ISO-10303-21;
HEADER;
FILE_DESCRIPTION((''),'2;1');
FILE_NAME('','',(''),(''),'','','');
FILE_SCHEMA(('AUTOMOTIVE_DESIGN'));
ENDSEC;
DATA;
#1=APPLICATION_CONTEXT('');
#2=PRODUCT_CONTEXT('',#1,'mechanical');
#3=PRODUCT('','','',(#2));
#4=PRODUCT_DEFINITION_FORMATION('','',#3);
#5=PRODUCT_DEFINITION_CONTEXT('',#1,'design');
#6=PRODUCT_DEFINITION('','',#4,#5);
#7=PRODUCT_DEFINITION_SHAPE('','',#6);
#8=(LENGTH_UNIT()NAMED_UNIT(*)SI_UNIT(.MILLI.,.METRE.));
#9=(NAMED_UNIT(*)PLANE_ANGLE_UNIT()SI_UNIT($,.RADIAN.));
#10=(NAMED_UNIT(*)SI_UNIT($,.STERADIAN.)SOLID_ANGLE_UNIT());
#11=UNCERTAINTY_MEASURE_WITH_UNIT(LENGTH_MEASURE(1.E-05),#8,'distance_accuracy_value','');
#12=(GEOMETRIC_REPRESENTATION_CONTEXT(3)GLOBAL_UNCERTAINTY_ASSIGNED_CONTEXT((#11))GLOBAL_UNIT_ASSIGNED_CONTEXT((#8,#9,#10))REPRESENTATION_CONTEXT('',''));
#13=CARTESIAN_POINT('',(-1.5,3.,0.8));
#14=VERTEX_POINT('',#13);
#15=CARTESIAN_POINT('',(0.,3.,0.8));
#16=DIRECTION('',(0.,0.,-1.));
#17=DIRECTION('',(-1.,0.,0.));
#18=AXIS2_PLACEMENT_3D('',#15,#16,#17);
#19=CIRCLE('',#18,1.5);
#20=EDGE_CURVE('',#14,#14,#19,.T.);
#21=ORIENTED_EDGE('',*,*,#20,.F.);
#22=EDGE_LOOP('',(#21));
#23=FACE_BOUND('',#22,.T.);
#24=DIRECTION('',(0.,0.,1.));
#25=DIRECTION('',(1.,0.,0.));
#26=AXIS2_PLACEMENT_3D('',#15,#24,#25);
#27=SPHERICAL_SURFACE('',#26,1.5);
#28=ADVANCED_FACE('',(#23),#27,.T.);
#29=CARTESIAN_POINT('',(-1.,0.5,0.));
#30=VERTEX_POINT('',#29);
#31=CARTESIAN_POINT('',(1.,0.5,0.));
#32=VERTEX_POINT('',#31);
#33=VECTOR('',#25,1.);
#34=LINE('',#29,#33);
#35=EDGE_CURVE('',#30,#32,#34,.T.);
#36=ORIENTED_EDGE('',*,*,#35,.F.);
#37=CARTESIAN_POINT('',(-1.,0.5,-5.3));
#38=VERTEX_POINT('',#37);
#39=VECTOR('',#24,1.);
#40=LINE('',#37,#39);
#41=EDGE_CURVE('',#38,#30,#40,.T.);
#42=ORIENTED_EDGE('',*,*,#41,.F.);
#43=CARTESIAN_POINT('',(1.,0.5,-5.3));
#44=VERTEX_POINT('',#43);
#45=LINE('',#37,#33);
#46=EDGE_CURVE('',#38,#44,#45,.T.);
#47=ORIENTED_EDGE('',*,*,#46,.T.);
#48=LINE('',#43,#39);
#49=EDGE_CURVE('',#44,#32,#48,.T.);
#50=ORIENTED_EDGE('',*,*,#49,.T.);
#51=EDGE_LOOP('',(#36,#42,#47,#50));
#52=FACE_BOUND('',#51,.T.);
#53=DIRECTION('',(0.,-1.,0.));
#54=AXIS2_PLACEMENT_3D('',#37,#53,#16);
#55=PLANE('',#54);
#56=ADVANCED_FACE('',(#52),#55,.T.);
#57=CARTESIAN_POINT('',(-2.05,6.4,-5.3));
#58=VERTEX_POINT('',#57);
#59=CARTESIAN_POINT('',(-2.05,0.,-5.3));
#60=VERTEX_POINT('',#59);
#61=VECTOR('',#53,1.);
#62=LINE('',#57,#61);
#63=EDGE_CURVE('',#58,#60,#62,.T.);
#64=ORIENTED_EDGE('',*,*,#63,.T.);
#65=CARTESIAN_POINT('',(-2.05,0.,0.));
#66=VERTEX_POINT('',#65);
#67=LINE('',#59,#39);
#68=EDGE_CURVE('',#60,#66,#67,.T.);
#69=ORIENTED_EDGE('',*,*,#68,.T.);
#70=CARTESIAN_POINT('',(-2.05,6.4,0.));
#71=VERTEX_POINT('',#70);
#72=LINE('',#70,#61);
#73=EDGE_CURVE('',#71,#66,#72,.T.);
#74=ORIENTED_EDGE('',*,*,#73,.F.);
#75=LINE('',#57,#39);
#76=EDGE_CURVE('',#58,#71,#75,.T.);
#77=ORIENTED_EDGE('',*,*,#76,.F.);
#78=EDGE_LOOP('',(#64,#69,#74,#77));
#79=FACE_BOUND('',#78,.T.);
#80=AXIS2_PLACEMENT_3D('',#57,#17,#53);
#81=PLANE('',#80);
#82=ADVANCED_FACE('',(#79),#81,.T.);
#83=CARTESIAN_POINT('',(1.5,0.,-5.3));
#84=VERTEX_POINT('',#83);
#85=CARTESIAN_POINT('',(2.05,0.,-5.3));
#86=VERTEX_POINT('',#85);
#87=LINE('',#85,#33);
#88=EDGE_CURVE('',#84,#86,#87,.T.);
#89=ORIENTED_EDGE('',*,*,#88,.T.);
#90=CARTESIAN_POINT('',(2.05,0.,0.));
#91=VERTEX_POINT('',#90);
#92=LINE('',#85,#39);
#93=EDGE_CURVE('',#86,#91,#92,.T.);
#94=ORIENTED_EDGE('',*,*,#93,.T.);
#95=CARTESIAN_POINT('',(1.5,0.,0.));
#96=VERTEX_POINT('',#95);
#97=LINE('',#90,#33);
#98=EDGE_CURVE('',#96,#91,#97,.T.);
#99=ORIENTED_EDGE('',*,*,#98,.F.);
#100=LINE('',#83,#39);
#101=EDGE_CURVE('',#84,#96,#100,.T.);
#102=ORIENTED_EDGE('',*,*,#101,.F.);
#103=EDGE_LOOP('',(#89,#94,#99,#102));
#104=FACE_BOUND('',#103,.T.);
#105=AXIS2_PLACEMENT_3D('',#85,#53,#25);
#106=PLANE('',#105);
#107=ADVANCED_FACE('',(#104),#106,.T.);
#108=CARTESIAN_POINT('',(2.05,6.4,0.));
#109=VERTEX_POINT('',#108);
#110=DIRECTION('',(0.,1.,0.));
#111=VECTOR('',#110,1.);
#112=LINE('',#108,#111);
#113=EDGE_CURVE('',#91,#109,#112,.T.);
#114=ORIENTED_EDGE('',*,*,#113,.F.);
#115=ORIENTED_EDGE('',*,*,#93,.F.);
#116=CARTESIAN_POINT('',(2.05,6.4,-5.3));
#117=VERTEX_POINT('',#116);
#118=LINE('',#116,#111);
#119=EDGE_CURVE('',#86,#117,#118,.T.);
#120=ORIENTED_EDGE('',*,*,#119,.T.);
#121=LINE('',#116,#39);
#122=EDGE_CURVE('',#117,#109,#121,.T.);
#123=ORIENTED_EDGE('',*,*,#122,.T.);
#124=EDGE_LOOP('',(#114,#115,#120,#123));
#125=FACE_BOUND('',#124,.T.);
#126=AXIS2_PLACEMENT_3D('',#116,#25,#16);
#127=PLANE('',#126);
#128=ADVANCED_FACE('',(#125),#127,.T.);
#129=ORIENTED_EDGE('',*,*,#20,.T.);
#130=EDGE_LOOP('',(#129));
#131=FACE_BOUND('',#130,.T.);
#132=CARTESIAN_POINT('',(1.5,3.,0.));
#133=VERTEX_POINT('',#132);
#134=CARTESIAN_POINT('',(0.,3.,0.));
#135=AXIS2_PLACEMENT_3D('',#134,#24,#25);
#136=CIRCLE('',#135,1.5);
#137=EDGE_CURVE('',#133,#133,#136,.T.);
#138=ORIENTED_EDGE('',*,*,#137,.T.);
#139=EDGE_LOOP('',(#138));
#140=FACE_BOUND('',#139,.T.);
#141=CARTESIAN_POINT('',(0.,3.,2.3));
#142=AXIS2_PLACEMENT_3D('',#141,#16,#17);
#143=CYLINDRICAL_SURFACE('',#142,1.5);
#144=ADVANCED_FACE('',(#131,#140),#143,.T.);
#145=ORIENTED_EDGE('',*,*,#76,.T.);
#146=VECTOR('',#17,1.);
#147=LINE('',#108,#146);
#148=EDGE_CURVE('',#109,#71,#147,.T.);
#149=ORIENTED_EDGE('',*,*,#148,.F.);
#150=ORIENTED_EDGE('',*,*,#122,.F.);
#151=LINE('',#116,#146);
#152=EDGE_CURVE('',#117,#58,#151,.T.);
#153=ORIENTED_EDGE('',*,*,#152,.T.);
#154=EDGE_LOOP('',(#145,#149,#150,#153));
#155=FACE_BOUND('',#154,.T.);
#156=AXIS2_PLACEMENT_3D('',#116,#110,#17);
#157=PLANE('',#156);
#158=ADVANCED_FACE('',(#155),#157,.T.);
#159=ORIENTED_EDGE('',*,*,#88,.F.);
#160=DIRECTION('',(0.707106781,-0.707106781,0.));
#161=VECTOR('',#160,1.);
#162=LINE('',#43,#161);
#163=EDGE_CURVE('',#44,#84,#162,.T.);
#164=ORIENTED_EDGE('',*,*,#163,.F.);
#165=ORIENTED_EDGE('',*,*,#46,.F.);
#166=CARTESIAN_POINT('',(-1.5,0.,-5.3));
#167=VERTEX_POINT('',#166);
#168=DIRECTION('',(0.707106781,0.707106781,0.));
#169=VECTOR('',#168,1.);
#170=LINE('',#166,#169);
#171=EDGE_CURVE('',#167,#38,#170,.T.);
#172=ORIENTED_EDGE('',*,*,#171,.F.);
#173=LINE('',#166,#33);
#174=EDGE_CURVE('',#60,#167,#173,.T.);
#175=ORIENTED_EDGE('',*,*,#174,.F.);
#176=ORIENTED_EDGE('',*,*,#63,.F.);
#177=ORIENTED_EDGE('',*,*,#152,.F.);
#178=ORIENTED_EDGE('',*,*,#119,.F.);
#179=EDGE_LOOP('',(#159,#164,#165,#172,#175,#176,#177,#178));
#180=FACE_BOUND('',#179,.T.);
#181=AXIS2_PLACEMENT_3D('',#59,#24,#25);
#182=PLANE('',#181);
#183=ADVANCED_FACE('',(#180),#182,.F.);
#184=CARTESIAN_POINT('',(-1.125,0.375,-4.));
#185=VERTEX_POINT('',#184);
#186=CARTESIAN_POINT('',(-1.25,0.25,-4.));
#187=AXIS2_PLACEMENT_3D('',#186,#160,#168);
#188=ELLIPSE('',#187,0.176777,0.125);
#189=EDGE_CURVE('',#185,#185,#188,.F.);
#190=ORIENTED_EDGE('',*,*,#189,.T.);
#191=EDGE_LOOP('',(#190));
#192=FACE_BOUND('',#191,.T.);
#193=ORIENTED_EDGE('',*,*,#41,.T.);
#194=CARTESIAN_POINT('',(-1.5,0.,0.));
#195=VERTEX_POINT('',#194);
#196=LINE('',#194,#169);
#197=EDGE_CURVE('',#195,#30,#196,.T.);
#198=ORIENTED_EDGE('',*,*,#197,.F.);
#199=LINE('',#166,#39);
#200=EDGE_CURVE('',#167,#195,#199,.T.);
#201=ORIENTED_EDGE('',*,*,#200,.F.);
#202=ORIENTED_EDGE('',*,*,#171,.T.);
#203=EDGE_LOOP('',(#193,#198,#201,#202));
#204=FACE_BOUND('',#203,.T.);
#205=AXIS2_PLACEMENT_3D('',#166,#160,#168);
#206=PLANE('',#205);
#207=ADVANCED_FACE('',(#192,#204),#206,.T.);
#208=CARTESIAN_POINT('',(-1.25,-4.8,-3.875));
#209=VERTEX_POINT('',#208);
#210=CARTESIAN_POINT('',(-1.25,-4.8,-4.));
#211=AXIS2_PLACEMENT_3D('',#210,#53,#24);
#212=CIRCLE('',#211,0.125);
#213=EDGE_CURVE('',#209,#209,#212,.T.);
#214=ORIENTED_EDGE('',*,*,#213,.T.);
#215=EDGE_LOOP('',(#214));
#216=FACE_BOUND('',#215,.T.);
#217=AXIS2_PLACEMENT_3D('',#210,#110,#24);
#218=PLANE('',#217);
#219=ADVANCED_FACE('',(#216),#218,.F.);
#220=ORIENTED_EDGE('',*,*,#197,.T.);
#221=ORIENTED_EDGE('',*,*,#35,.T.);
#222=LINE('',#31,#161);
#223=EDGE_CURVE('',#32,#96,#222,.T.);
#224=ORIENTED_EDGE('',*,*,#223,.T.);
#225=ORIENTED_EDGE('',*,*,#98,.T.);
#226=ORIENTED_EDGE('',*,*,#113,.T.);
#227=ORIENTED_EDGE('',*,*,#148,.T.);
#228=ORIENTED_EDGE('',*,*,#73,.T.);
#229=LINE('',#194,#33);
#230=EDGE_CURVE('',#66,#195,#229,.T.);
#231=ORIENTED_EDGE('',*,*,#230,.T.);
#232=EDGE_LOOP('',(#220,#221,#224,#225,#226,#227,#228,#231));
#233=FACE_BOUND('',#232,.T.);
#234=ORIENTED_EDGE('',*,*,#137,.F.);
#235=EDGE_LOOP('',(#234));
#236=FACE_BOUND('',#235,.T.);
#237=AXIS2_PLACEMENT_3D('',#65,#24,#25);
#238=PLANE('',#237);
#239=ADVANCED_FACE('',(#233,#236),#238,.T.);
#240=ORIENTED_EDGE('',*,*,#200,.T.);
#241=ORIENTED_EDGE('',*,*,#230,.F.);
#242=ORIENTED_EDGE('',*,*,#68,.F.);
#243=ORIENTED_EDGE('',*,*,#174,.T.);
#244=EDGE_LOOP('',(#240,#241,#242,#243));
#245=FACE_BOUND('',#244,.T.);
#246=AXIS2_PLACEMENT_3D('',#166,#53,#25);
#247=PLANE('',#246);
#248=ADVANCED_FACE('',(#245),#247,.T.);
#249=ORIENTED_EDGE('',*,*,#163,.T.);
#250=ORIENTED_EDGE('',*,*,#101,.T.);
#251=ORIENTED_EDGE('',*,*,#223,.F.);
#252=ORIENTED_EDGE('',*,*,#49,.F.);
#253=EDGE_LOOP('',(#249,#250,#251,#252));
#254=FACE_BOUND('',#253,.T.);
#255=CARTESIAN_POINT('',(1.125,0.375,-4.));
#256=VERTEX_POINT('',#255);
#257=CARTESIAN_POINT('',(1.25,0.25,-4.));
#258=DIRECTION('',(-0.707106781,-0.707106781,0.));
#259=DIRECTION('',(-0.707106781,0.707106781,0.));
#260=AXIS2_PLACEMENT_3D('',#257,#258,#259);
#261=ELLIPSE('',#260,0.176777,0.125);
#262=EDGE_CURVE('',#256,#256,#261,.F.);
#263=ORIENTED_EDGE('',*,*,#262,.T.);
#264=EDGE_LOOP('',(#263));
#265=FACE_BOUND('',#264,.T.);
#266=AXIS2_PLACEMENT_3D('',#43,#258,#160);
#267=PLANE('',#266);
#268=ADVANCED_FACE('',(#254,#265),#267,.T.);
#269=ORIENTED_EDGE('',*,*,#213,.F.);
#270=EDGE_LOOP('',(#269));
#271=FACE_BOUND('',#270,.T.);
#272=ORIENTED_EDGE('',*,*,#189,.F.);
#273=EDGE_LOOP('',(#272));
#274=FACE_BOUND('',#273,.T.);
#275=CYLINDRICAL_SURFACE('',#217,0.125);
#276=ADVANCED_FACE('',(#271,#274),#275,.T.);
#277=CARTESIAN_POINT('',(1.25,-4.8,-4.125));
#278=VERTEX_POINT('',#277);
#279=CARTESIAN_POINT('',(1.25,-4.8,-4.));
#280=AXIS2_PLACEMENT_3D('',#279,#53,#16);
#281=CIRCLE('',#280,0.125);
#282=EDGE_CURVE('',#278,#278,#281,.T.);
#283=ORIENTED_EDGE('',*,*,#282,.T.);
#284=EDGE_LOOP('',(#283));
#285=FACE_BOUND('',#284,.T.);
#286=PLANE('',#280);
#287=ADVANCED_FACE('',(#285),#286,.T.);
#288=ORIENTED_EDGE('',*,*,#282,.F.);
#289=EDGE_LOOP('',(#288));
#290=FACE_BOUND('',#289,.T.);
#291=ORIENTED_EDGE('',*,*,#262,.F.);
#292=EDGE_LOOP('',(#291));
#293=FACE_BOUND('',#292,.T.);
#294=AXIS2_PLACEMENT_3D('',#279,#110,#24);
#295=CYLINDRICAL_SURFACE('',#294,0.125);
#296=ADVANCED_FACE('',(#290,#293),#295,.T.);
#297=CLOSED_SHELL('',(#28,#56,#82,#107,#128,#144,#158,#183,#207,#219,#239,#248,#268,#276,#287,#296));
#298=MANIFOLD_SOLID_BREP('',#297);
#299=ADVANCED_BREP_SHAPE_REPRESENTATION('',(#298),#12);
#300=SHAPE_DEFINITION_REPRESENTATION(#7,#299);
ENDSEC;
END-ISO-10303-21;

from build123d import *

# Parameters (mm, degrees)
EXTRUDE1_DEPTH = 5.3
SKETCH2_R      = 1.5
EXTRUDE2_DEPTH = 2.3
FILLET1_R      = 1.5
SKETCH3_R      = 0.125
EXTRUDE3_DEPTH = 5.3


with BuildPart() as part:
    # Sketch1 → Extrude1 (new body)
    with BuildSketch(Plane.XY):
        Polygon((-1, 0.5), (1, 0.5), (1.5, 0), (2.05, 0), (2.05, 6.4), (-2.05, 6.4), (-2.05, 0), (-1.5, 0), align=None)
    extrude(amount=-EXTRUDE1_DEPTH)

    # Sketch2 → Extrude2 (add)
    with BuildSketch(Plane.XY):
        with Locations(Location((0, 3, 0), (0, 0, 180))):
            Circle(SKETCH2_R)
    extrude(amount=EXTRUDE2_DEPTH)

    # Fillet1
    fillet1_edges = [part.edges().sort_by_distance(p)[0] for p in [
        (1.5, 3, 2.3),
    ]]
    fillet(fillet1_edges, radius=FILLET1_R)

    # Sketch3 → Extrude3 (add)
    with BuildSketch(Plane.XZ.offset(-0.5)):
        with Locations(Location((1.25, -4, 0), (0, 0, 180))):
            Circle(SKETCH3_R)
        with Locations(Location((-1.25, -4, 0), (0, 0, 90))):
            Circle(SKETCH3_R)
    extrude(amount=EXTRUDE3_DEPTH)


solid = part.part
